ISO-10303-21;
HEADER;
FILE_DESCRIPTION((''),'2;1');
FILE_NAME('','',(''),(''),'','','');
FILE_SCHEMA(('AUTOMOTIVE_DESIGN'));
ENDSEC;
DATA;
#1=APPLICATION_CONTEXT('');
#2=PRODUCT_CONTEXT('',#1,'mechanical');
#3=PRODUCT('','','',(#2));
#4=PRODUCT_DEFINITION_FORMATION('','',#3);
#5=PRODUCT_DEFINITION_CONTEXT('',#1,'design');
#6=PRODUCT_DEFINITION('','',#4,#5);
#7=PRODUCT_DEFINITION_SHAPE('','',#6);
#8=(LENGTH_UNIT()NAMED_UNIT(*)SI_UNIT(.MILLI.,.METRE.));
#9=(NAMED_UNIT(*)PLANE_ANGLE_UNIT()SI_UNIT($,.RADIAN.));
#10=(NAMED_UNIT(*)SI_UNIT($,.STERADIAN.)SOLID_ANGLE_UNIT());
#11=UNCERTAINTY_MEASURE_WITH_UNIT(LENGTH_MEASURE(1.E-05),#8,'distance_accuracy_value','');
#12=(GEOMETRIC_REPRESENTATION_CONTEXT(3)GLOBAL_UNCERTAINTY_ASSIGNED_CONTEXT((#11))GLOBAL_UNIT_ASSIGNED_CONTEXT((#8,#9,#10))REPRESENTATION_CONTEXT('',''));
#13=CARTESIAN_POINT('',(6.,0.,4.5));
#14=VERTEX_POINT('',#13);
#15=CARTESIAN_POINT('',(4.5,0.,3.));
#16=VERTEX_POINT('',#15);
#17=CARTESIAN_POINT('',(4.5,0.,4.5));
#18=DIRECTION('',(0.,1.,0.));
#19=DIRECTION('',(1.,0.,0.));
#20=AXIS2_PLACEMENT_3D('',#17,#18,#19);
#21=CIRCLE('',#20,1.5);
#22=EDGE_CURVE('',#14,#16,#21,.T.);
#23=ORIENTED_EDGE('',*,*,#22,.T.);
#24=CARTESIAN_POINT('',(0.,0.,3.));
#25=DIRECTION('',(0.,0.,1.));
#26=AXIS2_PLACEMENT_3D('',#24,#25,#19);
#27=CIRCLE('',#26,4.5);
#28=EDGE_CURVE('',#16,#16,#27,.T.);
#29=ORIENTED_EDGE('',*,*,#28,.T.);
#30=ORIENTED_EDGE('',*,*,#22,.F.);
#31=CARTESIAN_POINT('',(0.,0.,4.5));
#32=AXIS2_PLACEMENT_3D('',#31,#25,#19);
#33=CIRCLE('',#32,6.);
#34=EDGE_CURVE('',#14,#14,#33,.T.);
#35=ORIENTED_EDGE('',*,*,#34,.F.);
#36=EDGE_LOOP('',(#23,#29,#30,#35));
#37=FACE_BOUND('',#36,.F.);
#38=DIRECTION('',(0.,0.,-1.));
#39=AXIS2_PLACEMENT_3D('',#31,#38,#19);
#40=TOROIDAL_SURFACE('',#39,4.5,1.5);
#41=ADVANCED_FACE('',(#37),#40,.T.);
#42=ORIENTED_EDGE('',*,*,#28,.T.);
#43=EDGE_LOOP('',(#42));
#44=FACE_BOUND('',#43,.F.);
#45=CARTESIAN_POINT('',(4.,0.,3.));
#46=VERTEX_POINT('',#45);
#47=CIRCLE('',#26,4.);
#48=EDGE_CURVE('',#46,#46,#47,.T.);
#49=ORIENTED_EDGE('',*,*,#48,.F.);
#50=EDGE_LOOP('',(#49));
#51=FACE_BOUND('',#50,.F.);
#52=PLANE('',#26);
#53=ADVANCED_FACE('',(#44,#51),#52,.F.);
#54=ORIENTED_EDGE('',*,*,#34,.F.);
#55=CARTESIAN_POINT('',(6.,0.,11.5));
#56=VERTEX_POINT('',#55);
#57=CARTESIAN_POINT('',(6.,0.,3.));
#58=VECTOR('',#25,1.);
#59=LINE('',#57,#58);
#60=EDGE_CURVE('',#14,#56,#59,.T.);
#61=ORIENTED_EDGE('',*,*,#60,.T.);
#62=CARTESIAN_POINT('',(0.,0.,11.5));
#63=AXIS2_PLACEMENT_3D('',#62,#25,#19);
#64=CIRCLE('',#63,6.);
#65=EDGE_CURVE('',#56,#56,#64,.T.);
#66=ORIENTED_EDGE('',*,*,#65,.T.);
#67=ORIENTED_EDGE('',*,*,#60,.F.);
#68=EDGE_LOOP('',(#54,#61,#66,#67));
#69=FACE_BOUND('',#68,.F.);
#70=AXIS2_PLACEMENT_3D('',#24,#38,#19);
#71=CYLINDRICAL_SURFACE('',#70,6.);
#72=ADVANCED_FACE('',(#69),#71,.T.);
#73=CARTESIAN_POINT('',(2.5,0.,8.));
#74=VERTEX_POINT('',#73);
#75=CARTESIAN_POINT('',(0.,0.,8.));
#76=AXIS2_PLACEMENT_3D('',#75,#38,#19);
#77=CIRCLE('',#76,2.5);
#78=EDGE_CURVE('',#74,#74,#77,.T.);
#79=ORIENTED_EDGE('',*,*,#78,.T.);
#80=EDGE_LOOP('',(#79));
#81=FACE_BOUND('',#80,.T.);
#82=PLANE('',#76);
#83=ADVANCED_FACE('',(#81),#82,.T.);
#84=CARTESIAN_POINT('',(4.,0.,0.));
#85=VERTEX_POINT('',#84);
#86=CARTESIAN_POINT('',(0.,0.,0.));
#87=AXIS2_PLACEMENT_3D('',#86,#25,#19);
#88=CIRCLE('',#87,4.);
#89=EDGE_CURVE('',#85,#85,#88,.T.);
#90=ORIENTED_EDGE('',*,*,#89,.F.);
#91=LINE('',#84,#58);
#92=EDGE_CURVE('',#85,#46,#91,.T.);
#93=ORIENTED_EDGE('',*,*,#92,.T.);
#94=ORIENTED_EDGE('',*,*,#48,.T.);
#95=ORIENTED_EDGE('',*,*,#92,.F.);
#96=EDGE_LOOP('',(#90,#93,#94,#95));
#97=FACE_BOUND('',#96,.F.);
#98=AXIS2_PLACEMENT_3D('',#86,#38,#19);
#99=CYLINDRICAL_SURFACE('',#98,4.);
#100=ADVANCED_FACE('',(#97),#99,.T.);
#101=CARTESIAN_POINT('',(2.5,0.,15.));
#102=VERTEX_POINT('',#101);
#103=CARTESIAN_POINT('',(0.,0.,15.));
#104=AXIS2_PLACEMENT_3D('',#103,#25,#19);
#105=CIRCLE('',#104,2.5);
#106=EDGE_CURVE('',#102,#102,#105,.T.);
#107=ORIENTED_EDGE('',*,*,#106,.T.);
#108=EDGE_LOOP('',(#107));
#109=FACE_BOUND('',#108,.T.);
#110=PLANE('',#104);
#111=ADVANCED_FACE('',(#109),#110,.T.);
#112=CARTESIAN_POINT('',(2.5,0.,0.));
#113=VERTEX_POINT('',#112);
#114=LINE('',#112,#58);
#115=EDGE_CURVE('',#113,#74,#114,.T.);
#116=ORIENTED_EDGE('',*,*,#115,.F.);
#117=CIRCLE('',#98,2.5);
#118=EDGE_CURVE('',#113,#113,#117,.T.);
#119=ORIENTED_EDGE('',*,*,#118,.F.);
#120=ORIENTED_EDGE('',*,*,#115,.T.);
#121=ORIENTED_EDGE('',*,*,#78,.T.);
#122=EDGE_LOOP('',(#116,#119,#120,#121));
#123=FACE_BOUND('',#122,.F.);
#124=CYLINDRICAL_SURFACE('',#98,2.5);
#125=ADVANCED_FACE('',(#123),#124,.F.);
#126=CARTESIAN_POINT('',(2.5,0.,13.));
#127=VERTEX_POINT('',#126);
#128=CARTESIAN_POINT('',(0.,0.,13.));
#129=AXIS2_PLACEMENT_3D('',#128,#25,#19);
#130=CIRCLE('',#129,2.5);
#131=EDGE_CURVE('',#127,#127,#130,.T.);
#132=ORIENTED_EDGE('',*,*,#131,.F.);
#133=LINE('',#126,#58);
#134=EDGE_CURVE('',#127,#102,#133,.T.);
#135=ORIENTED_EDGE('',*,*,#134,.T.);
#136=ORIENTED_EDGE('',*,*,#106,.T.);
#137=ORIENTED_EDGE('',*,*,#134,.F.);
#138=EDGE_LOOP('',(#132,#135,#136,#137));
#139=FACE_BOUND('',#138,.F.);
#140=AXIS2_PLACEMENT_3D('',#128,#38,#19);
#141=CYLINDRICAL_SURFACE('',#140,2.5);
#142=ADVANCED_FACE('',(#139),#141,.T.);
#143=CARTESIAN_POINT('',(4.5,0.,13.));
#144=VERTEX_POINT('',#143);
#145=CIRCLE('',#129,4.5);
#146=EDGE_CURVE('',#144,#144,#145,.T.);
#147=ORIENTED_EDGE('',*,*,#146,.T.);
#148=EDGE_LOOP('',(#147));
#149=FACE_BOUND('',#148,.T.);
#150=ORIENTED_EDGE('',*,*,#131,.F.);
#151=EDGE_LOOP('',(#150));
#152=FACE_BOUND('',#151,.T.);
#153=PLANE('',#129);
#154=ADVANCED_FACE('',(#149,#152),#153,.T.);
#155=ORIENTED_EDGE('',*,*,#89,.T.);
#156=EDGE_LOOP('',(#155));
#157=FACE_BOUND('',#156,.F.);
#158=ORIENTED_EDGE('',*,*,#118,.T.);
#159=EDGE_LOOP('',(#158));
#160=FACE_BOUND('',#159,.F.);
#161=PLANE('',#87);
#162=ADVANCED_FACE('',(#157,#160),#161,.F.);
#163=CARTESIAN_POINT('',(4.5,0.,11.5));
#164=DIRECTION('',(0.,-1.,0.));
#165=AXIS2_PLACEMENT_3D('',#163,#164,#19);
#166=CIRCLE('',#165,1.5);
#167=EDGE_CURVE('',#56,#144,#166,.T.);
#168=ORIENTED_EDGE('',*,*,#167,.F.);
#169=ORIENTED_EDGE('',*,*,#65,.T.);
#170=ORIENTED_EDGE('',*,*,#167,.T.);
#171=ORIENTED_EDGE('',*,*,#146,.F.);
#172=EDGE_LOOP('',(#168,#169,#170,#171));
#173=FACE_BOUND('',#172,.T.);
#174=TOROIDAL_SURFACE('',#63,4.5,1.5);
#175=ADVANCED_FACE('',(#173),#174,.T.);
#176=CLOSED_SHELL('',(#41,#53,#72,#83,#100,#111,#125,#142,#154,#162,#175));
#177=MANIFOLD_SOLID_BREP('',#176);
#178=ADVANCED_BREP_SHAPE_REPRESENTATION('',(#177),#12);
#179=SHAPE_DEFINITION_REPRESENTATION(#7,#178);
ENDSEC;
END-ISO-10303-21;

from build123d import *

# Parameters (mm, degrees)
F0_R     = 4
F1_DEPTH = 3
F2_R     = 6
F3_DEPTH = 10
F4_R     = 2.5
F5_DEPTH = 2
F6_R     = 1.5
F7_R     = 2.5
F8_DEPTH = 8


with BuildPart() as f1:
    # F0 (on Top) → F1 (new body)
    with BuildSketch(Plane.XY):
        Circle(F0_R)
    extrude(amount=F1_DEPTH)

    # F2 (on face) → F3 (join)
    with BuildSketch(Plane.XY.offset(3)):
        Circle(F2_R)
    extrude(amount=F3_DEPTH)

    # F4 (on face) → F5 (join)
    with BuildSketch(Plane.XY.offset(13)):
        Circle(F4_R)
    extrude(amount=F5_DEPTH)

    # F6
    f6_edges = [f1.edges().sort_by_distance(p)[0] for p in [
        (-6, 0, 13),
        (-6, 0, 3),
    ]]
    fillet(f6_edges, radius=F6_R)

    # F7 (on face) → F8 (cut)
    with BuildSketch(Plane(origin=(0, 0, 0), x_dir=(1, 0, 0), z_dir=(0, 0, -1))):
        Circle(F7_R)
    extrude(amount=-F8_DEPTH, mode=Mode.SUBTRACT)


solid = f1.part
